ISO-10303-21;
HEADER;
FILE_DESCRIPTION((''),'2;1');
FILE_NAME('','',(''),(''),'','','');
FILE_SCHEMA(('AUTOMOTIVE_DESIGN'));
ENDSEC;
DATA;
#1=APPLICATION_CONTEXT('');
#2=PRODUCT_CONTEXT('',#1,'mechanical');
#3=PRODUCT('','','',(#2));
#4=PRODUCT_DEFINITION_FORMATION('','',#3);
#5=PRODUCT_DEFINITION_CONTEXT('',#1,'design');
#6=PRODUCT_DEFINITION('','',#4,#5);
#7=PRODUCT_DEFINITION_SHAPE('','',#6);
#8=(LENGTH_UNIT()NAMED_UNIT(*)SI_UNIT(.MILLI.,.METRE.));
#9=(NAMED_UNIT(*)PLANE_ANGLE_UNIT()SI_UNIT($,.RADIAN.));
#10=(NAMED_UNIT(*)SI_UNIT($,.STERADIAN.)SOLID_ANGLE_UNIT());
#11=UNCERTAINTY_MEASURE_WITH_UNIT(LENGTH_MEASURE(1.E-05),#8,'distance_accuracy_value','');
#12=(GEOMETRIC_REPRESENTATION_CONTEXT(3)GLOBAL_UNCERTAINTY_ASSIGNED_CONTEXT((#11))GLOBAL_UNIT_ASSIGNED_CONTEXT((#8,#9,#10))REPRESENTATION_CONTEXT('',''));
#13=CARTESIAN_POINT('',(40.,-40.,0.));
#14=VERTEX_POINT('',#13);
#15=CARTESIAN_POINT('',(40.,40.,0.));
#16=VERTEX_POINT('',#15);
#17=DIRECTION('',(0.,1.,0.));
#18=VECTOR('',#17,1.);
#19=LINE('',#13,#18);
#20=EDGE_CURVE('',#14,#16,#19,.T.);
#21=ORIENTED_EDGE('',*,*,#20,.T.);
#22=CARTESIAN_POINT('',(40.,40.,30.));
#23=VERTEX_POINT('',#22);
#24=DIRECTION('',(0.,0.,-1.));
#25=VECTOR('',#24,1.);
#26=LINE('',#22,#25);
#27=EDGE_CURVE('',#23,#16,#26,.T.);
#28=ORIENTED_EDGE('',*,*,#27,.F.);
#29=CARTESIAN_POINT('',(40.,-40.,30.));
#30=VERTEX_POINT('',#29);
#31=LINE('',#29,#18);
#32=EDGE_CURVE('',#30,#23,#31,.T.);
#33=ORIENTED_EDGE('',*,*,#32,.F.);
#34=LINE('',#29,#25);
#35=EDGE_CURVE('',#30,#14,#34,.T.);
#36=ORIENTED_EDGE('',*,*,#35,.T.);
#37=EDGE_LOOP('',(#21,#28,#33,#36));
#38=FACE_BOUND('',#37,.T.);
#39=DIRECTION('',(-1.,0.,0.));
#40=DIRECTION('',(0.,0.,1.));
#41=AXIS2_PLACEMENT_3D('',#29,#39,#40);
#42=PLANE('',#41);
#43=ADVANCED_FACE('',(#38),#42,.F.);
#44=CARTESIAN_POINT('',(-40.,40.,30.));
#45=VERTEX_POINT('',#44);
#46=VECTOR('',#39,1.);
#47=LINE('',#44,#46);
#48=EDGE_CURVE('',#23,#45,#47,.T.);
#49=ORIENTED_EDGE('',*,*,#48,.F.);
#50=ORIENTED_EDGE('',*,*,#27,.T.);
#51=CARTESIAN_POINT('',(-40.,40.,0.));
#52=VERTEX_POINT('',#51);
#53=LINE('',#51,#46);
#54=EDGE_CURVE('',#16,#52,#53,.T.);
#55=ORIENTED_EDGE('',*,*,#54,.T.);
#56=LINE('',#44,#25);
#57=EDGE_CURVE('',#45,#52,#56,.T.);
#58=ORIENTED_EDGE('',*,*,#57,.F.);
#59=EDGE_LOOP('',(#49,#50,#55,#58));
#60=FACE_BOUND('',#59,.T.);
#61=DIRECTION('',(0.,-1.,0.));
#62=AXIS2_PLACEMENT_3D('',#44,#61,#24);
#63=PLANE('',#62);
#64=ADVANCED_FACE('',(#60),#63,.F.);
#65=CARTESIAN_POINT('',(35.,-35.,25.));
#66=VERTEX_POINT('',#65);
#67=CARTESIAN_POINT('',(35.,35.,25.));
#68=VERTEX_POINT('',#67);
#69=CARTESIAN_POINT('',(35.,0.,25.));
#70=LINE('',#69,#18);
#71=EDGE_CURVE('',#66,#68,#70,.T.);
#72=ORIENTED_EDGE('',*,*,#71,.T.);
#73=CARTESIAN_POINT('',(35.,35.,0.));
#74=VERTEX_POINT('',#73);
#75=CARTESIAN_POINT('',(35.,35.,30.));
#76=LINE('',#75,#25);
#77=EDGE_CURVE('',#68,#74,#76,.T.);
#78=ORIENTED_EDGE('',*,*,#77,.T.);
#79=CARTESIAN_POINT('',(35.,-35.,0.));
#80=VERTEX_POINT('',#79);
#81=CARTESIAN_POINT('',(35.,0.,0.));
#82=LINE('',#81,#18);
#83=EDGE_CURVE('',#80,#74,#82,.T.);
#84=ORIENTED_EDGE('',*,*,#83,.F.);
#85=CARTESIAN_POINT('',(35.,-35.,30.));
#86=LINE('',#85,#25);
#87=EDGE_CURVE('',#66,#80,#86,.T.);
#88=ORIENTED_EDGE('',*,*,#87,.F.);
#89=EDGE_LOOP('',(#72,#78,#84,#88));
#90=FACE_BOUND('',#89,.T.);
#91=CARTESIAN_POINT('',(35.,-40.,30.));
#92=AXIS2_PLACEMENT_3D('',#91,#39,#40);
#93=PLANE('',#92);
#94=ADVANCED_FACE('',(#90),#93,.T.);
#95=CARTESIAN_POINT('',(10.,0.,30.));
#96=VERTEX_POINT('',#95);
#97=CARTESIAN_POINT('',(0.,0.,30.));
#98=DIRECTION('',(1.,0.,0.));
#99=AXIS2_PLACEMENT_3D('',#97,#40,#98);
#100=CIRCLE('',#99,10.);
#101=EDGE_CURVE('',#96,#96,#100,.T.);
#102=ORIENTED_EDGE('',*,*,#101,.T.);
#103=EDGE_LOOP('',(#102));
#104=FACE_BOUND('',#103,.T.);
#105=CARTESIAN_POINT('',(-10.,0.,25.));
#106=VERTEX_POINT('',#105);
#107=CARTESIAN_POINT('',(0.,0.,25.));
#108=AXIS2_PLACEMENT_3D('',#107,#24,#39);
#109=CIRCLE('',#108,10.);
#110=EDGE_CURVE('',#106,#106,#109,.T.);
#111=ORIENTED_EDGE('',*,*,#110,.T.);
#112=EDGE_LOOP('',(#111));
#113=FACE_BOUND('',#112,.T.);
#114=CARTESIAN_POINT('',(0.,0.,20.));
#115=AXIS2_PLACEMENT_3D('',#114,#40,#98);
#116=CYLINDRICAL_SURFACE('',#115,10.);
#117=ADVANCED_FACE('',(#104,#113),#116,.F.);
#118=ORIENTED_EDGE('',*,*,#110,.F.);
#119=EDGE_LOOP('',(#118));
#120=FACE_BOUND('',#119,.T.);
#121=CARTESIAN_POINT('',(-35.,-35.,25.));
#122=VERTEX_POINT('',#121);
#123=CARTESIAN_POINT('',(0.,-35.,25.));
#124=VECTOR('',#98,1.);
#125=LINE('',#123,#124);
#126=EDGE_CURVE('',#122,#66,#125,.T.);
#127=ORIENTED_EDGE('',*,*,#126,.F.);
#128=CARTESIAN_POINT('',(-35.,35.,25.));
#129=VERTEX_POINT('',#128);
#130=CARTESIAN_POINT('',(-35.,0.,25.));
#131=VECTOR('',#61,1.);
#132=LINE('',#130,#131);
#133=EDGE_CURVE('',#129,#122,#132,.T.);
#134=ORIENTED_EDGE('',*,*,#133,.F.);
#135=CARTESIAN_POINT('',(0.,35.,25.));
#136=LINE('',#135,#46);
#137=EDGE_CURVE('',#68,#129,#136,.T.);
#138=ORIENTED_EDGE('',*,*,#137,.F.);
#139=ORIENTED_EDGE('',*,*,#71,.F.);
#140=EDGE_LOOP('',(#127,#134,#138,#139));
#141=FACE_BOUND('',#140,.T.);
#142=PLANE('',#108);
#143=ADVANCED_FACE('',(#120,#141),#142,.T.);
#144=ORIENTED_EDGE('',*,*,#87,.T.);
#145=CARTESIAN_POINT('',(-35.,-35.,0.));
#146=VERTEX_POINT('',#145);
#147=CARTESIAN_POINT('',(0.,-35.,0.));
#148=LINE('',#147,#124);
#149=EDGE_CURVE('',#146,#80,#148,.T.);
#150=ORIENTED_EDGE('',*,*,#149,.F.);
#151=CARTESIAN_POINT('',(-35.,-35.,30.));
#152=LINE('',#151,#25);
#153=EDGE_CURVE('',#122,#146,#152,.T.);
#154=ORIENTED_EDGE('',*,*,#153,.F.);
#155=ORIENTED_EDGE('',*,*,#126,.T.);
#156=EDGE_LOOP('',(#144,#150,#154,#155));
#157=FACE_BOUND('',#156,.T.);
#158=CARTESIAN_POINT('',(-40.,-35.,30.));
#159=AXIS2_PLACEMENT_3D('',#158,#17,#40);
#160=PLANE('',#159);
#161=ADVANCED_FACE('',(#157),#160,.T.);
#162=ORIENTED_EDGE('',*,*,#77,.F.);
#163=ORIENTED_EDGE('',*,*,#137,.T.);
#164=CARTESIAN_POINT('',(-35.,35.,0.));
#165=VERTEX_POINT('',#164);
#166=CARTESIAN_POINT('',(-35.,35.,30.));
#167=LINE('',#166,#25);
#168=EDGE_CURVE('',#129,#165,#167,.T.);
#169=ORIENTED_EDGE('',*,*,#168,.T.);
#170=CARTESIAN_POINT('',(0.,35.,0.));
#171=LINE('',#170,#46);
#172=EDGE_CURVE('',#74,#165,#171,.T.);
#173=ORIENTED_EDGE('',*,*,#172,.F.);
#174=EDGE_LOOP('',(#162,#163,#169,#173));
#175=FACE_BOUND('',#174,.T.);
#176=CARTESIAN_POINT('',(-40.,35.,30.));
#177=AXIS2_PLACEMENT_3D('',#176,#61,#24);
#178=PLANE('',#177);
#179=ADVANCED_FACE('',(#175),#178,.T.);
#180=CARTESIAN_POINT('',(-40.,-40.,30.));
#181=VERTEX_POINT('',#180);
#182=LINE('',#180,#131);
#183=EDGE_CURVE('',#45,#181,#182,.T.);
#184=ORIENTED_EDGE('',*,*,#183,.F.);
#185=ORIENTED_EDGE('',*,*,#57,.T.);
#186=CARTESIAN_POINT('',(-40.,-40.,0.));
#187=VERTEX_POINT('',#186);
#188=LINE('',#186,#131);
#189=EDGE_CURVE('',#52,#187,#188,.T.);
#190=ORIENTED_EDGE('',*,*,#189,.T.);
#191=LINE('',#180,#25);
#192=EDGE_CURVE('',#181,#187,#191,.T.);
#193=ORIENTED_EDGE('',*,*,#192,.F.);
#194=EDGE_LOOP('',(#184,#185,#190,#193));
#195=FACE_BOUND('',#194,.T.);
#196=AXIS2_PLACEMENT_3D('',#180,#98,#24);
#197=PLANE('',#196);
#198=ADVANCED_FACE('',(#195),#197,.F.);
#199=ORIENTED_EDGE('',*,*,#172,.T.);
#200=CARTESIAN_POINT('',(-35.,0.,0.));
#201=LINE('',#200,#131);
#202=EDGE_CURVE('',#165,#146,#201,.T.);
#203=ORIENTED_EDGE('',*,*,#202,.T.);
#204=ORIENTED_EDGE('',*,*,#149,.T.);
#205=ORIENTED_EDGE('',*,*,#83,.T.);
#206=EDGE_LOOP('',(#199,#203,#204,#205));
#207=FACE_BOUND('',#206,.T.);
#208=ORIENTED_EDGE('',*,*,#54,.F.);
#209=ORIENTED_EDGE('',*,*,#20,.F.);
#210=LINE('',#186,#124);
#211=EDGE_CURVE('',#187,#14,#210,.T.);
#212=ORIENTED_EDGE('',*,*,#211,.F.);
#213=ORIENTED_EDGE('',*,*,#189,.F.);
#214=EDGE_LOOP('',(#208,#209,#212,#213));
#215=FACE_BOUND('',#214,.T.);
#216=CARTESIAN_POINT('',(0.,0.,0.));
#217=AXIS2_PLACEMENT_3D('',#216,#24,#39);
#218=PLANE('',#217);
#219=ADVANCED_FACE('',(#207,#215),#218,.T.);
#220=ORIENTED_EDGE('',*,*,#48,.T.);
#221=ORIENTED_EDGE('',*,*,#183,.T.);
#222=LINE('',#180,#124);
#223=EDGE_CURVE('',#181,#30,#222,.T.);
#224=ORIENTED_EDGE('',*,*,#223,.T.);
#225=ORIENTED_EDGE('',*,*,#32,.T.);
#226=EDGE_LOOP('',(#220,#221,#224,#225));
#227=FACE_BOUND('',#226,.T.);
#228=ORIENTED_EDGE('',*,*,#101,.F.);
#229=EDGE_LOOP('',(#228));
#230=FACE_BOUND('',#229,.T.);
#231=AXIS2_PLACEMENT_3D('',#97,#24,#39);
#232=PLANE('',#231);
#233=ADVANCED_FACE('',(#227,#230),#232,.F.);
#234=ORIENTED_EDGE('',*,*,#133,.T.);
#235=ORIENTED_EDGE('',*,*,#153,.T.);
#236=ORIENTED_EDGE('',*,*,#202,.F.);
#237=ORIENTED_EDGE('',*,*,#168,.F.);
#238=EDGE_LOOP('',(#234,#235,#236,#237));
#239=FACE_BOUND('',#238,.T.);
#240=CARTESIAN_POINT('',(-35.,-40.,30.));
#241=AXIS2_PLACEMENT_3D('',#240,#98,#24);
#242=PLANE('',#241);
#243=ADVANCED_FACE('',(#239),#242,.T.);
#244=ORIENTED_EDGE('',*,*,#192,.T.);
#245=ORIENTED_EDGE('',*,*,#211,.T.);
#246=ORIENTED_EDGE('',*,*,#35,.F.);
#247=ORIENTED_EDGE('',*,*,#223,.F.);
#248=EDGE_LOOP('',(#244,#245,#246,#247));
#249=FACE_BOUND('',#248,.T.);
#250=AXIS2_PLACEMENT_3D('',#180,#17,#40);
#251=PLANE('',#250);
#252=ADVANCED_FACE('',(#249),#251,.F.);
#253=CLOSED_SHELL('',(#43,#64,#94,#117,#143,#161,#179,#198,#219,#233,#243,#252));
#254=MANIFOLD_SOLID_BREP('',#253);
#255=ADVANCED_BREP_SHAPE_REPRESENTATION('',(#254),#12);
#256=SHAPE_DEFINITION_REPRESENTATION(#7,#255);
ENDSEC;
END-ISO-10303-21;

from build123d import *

# Parameters (mm, degrees)
SKETCH1_W           = 80
SKETCH1_H           = 80
BOSS_EXTRUDE1_DEPTH = 30
SHELL1_T            = -5
SKETCH3_R           = 10
CUT_EXTRUDE1_DEPTH  = 10


with BuildPart() as part:
    # Sketch1 → Boss-Extrude1 (new body)
    with BuildSketch(Plane.XY):
        Rectangle(SKETCH1_W, SKETCH1_H)
    extrude(amount=BOSS_EXTRUDE1_DEPTH)

    # Shell1
    shell1_openings = [part.faces().sort_by_distance(p)[0] for p in [
        (0, 0, 0),
    ]]
    offset(amount=SHELL1_T, openings=shell1_openings, kind=Kind.INTERSECTION)

    # Sketch3 → Cut-Extrude1 (cut)
    with BuildSketch(Plane.XY.offset(30)):
        Circle(SKETCH3_R)
    extrude(amount=-CUT_EXTRUDE1_DEPTH, mode=Mode.SUBTRACT)


solid = part.part
